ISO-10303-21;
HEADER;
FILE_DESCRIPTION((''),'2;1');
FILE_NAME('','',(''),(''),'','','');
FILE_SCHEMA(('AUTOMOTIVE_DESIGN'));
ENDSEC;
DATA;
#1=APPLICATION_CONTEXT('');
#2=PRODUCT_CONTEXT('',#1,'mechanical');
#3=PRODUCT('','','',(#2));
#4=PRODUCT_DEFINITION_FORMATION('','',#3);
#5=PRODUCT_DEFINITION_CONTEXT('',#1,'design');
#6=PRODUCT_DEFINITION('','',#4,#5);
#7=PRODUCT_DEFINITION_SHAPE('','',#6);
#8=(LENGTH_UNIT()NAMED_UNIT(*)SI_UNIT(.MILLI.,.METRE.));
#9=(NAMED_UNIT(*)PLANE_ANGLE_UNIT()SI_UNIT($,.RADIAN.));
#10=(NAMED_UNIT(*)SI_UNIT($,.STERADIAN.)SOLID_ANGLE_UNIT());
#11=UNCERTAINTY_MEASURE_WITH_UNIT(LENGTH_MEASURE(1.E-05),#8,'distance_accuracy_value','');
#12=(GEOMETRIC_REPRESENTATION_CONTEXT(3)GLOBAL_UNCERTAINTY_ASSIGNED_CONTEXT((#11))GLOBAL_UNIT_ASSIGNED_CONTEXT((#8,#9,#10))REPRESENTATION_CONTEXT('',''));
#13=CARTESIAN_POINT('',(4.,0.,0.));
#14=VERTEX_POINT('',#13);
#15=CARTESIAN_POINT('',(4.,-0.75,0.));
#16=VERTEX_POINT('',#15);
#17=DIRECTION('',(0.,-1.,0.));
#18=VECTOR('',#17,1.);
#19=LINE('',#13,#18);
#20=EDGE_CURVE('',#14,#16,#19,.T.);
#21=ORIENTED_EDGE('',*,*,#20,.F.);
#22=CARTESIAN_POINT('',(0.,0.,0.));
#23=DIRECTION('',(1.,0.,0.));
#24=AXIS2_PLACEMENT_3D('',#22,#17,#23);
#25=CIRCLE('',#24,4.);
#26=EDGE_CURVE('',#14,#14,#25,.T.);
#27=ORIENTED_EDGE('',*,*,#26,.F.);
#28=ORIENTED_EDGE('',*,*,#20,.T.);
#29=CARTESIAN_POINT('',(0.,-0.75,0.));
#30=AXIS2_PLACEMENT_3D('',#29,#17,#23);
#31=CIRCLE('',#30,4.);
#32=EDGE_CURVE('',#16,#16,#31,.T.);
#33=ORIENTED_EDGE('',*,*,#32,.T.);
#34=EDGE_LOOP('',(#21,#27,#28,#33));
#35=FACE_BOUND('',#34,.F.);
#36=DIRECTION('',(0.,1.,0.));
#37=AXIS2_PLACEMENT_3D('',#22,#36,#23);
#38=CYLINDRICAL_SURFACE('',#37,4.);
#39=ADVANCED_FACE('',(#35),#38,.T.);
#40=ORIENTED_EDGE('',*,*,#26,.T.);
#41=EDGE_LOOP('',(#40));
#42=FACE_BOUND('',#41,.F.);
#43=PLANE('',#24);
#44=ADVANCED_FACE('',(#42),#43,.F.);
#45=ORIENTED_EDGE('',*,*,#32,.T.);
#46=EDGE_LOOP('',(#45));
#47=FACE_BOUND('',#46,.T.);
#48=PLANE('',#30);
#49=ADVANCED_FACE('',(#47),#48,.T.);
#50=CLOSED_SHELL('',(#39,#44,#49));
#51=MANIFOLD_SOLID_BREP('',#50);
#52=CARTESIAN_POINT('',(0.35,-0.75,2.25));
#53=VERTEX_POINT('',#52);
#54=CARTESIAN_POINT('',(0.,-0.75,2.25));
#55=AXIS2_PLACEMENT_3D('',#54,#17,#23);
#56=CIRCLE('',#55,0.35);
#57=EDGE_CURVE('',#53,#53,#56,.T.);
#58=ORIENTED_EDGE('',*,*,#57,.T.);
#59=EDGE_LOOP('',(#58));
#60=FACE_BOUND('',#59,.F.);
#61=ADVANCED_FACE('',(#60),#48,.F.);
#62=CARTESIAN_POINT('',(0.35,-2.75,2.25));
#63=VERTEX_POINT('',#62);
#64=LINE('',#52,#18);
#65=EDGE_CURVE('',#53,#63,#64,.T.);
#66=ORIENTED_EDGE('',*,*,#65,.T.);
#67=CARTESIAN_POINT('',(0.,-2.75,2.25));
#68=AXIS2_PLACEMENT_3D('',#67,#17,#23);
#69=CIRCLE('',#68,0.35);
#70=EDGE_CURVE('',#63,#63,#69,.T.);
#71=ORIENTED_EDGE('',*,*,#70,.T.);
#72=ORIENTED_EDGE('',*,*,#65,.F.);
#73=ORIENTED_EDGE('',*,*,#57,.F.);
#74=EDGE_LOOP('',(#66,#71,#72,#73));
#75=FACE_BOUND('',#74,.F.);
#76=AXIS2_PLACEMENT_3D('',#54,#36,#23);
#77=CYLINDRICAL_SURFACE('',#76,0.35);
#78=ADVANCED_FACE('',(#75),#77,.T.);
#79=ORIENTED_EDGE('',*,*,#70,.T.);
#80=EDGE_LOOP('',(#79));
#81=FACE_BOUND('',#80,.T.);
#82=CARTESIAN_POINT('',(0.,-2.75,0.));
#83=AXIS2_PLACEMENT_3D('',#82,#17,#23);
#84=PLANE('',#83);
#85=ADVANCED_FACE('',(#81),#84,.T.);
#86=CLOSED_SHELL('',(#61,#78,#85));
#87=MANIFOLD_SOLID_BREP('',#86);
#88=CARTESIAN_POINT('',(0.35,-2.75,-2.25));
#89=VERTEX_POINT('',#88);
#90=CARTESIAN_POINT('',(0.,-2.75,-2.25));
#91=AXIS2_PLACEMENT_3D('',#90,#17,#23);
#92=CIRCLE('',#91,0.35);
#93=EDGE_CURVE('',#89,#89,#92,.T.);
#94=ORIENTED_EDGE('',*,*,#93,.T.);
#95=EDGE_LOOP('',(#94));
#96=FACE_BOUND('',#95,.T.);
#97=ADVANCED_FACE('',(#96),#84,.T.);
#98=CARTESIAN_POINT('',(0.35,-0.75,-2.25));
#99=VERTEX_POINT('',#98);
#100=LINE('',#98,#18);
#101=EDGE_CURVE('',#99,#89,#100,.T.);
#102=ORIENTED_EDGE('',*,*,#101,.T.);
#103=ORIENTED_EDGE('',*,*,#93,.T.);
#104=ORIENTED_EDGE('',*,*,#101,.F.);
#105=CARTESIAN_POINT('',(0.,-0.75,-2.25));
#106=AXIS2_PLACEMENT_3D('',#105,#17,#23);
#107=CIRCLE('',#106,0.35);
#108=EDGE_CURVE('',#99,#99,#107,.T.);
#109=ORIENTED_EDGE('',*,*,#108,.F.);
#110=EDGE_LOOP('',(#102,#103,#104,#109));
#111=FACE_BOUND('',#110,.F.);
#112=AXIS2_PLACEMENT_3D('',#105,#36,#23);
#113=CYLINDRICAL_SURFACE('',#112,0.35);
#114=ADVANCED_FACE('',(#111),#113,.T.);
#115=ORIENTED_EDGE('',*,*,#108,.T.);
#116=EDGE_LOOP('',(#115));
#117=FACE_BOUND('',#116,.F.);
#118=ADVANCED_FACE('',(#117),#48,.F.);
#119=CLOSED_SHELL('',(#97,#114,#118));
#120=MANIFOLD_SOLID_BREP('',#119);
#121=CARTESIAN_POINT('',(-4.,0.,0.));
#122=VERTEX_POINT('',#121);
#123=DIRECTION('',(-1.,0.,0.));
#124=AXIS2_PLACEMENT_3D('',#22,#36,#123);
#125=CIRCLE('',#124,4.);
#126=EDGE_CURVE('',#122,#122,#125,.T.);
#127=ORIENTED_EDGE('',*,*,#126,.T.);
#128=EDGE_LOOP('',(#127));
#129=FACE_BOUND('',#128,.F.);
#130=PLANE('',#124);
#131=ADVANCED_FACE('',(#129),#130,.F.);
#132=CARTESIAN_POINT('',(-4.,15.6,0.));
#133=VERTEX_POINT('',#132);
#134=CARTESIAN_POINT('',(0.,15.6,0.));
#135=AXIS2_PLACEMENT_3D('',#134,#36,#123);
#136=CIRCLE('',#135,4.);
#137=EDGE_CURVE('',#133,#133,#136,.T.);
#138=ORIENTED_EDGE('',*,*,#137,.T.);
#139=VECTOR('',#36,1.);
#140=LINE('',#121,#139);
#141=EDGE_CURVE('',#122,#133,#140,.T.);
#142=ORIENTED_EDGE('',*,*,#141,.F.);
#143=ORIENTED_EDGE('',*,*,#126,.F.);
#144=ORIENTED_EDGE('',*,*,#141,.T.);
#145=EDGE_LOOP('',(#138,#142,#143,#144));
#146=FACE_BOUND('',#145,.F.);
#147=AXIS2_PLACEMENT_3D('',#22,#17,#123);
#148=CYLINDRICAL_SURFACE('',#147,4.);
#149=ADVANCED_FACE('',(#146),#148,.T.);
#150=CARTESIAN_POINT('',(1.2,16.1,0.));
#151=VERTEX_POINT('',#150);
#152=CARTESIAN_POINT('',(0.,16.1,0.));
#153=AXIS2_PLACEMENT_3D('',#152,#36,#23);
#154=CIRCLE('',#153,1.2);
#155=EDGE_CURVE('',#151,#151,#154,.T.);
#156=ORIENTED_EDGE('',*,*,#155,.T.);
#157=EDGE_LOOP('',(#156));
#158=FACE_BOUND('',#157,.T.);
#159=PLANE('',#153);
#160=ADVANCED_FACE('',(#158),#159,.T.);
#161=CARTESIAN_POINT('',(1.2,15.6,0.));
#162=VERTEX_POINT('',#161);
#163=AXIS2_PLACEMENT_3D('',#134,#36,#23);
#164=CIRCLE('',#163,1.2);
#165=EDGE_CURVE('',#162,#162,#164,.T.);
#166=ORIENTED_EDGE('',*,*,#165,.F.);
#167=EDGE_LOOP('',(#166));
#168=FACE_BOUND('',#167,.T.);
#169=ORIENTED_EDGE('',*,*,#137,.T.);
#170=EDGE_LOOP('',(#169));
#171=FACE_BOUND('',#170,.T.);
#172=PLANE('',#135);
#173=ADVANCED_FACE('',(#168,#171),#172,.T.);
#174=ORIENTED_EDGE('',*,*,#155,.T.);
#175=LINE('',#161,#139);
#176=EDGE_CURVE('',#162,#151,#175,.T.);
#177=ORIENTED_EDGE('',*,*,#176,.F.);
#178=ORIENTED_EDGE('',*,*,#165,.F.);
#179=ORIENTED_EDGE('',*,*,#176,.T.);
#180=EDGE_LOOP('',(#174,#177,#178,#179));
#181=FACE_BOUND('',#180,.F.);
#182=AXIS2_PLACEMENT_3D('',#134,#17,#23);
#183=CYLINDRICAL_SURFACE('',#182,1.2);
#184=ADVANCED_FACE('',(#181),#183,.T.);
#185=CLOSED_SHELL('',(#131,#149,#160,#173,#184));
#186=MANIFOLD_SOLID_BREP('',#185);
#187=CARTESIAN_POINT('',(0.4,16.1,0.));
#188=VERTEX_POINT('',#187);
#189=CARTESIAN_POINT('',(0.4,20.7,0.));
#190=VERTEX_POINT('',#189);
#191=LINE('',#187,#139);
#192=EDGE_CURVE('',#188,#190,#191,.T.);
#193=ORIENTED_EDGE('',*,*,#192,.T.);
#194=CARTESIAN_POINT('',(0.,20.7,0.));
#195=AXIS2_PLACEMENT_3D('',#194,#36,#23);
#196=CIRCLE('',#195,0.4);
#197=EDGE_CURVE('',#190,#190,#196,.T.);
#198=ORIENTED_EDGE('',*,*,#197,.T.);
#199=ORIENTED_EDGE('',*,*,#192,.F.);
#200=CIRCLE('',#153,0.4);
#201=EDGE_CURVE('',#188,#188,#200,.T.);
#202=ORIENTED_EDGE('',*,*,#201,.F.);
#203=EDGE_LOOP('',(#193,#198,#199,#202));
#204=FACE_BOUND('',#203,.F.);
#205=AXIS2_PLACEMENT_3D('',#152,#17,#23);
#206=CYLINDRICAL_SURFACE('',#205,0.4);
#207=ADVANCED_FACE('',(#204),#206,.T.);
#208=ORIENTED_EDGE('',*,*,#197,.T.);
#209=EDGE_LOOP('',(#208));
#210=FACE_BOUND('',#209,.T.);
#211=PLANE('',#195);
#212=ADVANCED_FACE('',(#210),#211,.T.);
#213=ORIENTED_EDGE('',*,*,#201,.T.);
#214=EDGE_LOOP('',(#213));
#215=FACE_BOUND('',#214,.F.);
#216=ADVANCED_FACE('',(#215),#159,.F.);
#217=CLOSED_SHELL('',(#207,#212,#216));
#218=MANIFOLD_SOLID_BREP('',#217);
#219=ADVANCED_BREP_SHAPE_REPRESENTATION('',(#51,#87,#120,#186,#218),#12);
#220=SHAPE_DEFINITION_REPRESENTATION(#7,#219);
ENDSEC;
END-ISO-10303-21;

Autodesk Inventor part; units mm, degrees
ref_plane "YZ Plane" through (0, 0, 0) normal (1, 0, 0) x (0, 1, 0)
ref_plane "XZ Plane" through (0, 0, 0) normal (0, 1, 0) x (-1, 0, 0)
ref_plane "XY Plane" through (0, 0, 0) normal (0, 0, 1) x (1, 0, 0)
sketch "Sketch1" plane through (0, 0, 0) normal (0, 1, 0) x (-1, 0, 0)
  circle A0 centre (0, 0) radius 4
  dimension "d0" = 8
extrude "Extrusion1" add sketch "Sketch1" along normal blind 15.6
sketch "Sketch2" plane through (0, 15.6, 0) normal (0, 1, 0) x (1, 0, 0)
  circle A0 centre (0, 0) radius 4 projected
  circle A1 centre (0, 0) radius 1.2
  dimension "d3" = 2.4
extrude "Extrusion2" add sketch "Sketch2" along normal blind 0.5 contours A1
sketch "Sketch3" plane through (0, 0, 0) normal (0, -1, 0) x (1, 0, 0)
  circle A0 centre (0, 0) radius 1.2 projected
  circle A1 centre (0, 0) radius 4
extrude "Extrusion3" add sketch "Sketch3" along normal blind 0.75 separate body contours A0 | A1
sketch "Sketch4" plane through (0, 16.1, 0) normal (0, 1, 0) x (1, 0, 0)
  circle A0 centre (0, 0) radius 0.4
  dimension "d8" = 0.8
extrude "Extrusion4" add sketch "Sketch4" along normal blind 4.6 separate body
sketch "Sketch5" plane through (0, -0.75, 0) normal (0, -1, 0) x (1, 0, 0)
  circle A0 centre (0, 2.25) radius 0.35
  circle A1 centre (0, -2.25) radius 0.35
  line L0 (0, 0) -> (2.0359, 0)
  dimension "d11" = 0.7
  dimension "d12" = 0.7
  dimension "d13" = 4.5
extrude "Extrusion5" add sketch "Sketch5" along normal blind 2 separate body contours A1
extrude "Extrusion6" add sketch "Sketch5" along normal blind 2 separate body contours A0
properties part number "motor_noname"
